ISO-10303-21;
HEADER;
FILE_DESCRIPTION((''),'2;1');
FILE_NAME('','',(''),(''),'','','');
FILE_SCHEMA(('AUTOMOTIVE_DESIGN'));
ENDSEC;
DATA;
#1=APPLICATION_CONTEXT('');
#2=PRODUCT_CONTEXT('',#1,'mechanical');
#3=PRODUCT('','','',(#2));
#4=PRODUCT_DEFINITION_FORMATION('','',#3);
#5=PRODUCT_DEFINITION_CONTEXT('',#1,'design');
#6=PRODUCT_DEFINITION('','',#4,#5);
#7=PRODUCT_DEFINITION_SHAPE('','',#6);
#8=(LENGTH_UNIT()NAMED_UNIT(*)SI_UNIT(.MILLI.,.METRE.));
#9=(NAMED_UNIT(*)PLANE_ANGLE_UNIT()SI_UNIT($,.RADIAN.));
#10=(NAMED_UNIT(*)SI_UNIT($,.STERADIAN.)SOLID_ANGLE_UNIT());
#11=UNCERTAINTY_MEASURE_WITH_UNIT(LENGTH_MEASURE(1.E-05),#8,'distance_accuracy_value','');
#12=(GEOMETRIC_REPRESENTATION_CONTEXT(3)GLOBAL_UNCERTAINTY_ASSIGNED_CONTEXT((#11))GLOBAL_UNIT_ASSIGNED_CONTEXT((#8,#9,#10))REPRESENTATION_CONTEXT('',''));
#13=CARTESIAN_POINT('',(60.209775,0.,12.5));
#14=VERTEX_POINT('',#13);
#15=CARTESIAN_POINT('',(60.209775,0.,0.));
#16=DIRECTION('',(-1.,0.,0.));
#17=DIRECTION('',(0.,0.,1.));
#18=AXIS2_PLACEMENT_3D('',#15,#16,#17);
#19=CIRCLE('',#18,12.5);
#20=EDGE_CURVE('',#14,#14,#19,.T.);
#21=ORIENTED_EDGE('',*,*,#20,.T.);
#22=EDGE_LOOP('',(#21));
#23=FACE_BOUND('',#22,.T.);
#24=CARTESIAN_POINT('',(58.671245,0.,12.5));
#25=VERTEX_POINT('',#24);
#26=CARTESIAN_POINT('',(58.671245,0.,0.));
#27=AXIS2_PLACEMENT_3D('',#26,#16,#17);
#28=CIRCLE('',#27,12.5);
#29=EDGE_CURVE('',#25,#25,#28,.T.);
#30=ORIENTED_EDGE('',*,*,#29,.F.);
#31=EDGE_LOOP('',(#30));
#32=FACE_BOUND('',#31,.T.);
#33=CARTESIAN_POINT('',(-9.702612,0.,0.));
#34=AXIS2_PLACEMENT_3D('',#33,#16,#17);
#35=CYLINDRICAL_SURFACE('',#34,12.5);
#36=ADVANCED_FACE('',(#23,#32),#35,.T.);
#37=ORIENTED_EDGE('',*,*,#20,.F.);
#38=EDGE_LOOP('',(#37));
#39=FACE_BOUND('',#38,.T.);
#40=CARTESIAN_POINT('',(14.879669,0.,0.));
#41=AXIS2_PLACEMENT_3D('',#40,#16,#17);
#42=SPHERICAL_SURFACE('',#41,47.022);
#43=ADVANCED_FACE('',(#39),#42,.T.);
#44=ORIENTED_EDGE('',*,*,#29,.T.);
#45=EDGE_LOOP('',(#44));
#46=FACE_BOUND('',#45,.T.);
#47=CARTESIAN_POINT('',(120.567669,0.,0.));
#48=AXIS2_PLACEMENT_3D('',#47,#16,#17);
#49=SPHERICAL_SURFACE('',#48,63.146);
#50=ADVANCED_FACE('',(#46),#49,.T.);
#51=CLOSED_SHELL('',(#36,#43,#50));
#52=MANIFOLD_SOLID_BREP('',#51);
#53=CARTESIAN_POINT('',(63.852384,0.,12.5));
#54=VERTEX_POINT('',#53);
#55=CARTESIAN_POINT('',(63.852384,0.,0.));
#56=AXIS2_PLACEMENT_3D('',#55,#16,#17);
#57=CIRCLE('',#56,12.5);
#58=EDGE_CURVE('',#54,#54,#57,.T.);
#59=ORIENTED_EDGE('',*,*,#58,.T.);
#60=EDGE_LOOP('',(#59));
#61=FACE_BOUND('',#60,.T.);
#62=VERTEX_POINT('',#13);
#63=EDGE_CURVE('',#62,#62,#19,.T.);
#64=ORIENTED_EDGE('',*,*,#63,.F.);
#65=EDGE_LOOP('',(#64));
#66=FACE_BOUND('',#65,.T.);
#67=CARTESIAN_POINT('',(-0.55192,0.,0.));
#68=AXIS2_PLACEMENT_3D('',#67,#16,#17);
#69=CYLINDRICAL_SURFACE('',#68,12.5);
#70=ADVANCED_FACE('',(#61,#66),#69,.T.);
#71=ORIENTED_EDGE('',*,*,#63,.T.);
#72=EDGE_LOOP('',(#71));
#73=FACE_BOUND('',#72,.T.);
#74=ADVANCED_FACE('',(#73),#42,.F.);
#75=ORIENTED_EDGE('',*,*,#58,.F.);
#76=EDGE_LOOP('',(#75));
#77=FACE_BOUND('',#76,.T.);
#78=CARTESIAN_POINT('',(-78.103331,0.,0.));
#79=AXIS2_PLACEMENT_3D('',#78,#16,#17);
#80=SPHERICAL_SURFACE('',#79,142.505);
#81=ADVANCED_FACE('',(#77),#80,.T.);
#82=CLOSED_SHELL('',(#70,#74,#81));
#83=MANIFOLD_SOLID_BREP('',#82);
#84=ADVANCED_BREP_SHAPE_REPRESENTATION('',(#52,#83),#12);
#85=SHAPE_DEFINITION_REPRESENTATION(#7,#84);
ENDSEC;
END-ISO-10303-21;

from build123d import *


with BuildPart() as part:
    # 草图1 one side → 旋转1 (revolve)
    with BuildSketch(Plane(origin=(0, 0, 0), x_dir=(1, 0, 0), z_dir=(0, 1, 0)), mode=Mode.PRIVATE) as revolve_1_sk:
        with BuildLine():
            ThreePointArc((58.671244877, 12.5), (57.734839529, 6.281151167), (57.421668974, 0))
            Line((57.421668974, 0), (61.901668974, 0))
            ThreePointArc((61.901668974, 0), (61.476775723, 6.306990294), (60.209774687, 12.5))
            Line((60.209774687, 12.5), (58.671244877, 12.5))
        make_face()
    revolve(revolve_1_sk.sketch.rotate(Axis((-9.702612178, 0, 0), (1, 0, 0)), 180), axis=Axis((-9.702612178, 0, 0), (1, 0, 0)))  # turned: the seam where the file's is


with BuildPart() as body_2:
    # 草图2 one side → 旋转3 (revolve)
    with BuildSketch(Plane(origin=(0, 0, 0), x_dir=(1, 0, 0), z_dir=(0, 1, 0)), mode=Mode.PRIVATE) as revolve_3_sk:
        with BuildLine():
            Line((63.852383987, 12.5), (60.209774687, 12.5))
            ThreePointArc((60.209774687, 12.5), (61.476775723, 6.306990294), (61.901668974, 0))
            Line((61.901668974, 0), (64.401668974, 0))
            ThreePointArc((64.401668974, 0), (64.2642815, 6.25603137), (63.852383987, 12.5))
        make_face()
    revolve(revolve_3_sk.sketch.rotate(Axis((-0.551919993, 0, 0), (1, 0, 0)), 180), axis=Axis((-0.551919993, 0, 0), (1, 0, 0)))  # turned: the seam where the file's is


solid = Compound([part.part, body_2.part])
